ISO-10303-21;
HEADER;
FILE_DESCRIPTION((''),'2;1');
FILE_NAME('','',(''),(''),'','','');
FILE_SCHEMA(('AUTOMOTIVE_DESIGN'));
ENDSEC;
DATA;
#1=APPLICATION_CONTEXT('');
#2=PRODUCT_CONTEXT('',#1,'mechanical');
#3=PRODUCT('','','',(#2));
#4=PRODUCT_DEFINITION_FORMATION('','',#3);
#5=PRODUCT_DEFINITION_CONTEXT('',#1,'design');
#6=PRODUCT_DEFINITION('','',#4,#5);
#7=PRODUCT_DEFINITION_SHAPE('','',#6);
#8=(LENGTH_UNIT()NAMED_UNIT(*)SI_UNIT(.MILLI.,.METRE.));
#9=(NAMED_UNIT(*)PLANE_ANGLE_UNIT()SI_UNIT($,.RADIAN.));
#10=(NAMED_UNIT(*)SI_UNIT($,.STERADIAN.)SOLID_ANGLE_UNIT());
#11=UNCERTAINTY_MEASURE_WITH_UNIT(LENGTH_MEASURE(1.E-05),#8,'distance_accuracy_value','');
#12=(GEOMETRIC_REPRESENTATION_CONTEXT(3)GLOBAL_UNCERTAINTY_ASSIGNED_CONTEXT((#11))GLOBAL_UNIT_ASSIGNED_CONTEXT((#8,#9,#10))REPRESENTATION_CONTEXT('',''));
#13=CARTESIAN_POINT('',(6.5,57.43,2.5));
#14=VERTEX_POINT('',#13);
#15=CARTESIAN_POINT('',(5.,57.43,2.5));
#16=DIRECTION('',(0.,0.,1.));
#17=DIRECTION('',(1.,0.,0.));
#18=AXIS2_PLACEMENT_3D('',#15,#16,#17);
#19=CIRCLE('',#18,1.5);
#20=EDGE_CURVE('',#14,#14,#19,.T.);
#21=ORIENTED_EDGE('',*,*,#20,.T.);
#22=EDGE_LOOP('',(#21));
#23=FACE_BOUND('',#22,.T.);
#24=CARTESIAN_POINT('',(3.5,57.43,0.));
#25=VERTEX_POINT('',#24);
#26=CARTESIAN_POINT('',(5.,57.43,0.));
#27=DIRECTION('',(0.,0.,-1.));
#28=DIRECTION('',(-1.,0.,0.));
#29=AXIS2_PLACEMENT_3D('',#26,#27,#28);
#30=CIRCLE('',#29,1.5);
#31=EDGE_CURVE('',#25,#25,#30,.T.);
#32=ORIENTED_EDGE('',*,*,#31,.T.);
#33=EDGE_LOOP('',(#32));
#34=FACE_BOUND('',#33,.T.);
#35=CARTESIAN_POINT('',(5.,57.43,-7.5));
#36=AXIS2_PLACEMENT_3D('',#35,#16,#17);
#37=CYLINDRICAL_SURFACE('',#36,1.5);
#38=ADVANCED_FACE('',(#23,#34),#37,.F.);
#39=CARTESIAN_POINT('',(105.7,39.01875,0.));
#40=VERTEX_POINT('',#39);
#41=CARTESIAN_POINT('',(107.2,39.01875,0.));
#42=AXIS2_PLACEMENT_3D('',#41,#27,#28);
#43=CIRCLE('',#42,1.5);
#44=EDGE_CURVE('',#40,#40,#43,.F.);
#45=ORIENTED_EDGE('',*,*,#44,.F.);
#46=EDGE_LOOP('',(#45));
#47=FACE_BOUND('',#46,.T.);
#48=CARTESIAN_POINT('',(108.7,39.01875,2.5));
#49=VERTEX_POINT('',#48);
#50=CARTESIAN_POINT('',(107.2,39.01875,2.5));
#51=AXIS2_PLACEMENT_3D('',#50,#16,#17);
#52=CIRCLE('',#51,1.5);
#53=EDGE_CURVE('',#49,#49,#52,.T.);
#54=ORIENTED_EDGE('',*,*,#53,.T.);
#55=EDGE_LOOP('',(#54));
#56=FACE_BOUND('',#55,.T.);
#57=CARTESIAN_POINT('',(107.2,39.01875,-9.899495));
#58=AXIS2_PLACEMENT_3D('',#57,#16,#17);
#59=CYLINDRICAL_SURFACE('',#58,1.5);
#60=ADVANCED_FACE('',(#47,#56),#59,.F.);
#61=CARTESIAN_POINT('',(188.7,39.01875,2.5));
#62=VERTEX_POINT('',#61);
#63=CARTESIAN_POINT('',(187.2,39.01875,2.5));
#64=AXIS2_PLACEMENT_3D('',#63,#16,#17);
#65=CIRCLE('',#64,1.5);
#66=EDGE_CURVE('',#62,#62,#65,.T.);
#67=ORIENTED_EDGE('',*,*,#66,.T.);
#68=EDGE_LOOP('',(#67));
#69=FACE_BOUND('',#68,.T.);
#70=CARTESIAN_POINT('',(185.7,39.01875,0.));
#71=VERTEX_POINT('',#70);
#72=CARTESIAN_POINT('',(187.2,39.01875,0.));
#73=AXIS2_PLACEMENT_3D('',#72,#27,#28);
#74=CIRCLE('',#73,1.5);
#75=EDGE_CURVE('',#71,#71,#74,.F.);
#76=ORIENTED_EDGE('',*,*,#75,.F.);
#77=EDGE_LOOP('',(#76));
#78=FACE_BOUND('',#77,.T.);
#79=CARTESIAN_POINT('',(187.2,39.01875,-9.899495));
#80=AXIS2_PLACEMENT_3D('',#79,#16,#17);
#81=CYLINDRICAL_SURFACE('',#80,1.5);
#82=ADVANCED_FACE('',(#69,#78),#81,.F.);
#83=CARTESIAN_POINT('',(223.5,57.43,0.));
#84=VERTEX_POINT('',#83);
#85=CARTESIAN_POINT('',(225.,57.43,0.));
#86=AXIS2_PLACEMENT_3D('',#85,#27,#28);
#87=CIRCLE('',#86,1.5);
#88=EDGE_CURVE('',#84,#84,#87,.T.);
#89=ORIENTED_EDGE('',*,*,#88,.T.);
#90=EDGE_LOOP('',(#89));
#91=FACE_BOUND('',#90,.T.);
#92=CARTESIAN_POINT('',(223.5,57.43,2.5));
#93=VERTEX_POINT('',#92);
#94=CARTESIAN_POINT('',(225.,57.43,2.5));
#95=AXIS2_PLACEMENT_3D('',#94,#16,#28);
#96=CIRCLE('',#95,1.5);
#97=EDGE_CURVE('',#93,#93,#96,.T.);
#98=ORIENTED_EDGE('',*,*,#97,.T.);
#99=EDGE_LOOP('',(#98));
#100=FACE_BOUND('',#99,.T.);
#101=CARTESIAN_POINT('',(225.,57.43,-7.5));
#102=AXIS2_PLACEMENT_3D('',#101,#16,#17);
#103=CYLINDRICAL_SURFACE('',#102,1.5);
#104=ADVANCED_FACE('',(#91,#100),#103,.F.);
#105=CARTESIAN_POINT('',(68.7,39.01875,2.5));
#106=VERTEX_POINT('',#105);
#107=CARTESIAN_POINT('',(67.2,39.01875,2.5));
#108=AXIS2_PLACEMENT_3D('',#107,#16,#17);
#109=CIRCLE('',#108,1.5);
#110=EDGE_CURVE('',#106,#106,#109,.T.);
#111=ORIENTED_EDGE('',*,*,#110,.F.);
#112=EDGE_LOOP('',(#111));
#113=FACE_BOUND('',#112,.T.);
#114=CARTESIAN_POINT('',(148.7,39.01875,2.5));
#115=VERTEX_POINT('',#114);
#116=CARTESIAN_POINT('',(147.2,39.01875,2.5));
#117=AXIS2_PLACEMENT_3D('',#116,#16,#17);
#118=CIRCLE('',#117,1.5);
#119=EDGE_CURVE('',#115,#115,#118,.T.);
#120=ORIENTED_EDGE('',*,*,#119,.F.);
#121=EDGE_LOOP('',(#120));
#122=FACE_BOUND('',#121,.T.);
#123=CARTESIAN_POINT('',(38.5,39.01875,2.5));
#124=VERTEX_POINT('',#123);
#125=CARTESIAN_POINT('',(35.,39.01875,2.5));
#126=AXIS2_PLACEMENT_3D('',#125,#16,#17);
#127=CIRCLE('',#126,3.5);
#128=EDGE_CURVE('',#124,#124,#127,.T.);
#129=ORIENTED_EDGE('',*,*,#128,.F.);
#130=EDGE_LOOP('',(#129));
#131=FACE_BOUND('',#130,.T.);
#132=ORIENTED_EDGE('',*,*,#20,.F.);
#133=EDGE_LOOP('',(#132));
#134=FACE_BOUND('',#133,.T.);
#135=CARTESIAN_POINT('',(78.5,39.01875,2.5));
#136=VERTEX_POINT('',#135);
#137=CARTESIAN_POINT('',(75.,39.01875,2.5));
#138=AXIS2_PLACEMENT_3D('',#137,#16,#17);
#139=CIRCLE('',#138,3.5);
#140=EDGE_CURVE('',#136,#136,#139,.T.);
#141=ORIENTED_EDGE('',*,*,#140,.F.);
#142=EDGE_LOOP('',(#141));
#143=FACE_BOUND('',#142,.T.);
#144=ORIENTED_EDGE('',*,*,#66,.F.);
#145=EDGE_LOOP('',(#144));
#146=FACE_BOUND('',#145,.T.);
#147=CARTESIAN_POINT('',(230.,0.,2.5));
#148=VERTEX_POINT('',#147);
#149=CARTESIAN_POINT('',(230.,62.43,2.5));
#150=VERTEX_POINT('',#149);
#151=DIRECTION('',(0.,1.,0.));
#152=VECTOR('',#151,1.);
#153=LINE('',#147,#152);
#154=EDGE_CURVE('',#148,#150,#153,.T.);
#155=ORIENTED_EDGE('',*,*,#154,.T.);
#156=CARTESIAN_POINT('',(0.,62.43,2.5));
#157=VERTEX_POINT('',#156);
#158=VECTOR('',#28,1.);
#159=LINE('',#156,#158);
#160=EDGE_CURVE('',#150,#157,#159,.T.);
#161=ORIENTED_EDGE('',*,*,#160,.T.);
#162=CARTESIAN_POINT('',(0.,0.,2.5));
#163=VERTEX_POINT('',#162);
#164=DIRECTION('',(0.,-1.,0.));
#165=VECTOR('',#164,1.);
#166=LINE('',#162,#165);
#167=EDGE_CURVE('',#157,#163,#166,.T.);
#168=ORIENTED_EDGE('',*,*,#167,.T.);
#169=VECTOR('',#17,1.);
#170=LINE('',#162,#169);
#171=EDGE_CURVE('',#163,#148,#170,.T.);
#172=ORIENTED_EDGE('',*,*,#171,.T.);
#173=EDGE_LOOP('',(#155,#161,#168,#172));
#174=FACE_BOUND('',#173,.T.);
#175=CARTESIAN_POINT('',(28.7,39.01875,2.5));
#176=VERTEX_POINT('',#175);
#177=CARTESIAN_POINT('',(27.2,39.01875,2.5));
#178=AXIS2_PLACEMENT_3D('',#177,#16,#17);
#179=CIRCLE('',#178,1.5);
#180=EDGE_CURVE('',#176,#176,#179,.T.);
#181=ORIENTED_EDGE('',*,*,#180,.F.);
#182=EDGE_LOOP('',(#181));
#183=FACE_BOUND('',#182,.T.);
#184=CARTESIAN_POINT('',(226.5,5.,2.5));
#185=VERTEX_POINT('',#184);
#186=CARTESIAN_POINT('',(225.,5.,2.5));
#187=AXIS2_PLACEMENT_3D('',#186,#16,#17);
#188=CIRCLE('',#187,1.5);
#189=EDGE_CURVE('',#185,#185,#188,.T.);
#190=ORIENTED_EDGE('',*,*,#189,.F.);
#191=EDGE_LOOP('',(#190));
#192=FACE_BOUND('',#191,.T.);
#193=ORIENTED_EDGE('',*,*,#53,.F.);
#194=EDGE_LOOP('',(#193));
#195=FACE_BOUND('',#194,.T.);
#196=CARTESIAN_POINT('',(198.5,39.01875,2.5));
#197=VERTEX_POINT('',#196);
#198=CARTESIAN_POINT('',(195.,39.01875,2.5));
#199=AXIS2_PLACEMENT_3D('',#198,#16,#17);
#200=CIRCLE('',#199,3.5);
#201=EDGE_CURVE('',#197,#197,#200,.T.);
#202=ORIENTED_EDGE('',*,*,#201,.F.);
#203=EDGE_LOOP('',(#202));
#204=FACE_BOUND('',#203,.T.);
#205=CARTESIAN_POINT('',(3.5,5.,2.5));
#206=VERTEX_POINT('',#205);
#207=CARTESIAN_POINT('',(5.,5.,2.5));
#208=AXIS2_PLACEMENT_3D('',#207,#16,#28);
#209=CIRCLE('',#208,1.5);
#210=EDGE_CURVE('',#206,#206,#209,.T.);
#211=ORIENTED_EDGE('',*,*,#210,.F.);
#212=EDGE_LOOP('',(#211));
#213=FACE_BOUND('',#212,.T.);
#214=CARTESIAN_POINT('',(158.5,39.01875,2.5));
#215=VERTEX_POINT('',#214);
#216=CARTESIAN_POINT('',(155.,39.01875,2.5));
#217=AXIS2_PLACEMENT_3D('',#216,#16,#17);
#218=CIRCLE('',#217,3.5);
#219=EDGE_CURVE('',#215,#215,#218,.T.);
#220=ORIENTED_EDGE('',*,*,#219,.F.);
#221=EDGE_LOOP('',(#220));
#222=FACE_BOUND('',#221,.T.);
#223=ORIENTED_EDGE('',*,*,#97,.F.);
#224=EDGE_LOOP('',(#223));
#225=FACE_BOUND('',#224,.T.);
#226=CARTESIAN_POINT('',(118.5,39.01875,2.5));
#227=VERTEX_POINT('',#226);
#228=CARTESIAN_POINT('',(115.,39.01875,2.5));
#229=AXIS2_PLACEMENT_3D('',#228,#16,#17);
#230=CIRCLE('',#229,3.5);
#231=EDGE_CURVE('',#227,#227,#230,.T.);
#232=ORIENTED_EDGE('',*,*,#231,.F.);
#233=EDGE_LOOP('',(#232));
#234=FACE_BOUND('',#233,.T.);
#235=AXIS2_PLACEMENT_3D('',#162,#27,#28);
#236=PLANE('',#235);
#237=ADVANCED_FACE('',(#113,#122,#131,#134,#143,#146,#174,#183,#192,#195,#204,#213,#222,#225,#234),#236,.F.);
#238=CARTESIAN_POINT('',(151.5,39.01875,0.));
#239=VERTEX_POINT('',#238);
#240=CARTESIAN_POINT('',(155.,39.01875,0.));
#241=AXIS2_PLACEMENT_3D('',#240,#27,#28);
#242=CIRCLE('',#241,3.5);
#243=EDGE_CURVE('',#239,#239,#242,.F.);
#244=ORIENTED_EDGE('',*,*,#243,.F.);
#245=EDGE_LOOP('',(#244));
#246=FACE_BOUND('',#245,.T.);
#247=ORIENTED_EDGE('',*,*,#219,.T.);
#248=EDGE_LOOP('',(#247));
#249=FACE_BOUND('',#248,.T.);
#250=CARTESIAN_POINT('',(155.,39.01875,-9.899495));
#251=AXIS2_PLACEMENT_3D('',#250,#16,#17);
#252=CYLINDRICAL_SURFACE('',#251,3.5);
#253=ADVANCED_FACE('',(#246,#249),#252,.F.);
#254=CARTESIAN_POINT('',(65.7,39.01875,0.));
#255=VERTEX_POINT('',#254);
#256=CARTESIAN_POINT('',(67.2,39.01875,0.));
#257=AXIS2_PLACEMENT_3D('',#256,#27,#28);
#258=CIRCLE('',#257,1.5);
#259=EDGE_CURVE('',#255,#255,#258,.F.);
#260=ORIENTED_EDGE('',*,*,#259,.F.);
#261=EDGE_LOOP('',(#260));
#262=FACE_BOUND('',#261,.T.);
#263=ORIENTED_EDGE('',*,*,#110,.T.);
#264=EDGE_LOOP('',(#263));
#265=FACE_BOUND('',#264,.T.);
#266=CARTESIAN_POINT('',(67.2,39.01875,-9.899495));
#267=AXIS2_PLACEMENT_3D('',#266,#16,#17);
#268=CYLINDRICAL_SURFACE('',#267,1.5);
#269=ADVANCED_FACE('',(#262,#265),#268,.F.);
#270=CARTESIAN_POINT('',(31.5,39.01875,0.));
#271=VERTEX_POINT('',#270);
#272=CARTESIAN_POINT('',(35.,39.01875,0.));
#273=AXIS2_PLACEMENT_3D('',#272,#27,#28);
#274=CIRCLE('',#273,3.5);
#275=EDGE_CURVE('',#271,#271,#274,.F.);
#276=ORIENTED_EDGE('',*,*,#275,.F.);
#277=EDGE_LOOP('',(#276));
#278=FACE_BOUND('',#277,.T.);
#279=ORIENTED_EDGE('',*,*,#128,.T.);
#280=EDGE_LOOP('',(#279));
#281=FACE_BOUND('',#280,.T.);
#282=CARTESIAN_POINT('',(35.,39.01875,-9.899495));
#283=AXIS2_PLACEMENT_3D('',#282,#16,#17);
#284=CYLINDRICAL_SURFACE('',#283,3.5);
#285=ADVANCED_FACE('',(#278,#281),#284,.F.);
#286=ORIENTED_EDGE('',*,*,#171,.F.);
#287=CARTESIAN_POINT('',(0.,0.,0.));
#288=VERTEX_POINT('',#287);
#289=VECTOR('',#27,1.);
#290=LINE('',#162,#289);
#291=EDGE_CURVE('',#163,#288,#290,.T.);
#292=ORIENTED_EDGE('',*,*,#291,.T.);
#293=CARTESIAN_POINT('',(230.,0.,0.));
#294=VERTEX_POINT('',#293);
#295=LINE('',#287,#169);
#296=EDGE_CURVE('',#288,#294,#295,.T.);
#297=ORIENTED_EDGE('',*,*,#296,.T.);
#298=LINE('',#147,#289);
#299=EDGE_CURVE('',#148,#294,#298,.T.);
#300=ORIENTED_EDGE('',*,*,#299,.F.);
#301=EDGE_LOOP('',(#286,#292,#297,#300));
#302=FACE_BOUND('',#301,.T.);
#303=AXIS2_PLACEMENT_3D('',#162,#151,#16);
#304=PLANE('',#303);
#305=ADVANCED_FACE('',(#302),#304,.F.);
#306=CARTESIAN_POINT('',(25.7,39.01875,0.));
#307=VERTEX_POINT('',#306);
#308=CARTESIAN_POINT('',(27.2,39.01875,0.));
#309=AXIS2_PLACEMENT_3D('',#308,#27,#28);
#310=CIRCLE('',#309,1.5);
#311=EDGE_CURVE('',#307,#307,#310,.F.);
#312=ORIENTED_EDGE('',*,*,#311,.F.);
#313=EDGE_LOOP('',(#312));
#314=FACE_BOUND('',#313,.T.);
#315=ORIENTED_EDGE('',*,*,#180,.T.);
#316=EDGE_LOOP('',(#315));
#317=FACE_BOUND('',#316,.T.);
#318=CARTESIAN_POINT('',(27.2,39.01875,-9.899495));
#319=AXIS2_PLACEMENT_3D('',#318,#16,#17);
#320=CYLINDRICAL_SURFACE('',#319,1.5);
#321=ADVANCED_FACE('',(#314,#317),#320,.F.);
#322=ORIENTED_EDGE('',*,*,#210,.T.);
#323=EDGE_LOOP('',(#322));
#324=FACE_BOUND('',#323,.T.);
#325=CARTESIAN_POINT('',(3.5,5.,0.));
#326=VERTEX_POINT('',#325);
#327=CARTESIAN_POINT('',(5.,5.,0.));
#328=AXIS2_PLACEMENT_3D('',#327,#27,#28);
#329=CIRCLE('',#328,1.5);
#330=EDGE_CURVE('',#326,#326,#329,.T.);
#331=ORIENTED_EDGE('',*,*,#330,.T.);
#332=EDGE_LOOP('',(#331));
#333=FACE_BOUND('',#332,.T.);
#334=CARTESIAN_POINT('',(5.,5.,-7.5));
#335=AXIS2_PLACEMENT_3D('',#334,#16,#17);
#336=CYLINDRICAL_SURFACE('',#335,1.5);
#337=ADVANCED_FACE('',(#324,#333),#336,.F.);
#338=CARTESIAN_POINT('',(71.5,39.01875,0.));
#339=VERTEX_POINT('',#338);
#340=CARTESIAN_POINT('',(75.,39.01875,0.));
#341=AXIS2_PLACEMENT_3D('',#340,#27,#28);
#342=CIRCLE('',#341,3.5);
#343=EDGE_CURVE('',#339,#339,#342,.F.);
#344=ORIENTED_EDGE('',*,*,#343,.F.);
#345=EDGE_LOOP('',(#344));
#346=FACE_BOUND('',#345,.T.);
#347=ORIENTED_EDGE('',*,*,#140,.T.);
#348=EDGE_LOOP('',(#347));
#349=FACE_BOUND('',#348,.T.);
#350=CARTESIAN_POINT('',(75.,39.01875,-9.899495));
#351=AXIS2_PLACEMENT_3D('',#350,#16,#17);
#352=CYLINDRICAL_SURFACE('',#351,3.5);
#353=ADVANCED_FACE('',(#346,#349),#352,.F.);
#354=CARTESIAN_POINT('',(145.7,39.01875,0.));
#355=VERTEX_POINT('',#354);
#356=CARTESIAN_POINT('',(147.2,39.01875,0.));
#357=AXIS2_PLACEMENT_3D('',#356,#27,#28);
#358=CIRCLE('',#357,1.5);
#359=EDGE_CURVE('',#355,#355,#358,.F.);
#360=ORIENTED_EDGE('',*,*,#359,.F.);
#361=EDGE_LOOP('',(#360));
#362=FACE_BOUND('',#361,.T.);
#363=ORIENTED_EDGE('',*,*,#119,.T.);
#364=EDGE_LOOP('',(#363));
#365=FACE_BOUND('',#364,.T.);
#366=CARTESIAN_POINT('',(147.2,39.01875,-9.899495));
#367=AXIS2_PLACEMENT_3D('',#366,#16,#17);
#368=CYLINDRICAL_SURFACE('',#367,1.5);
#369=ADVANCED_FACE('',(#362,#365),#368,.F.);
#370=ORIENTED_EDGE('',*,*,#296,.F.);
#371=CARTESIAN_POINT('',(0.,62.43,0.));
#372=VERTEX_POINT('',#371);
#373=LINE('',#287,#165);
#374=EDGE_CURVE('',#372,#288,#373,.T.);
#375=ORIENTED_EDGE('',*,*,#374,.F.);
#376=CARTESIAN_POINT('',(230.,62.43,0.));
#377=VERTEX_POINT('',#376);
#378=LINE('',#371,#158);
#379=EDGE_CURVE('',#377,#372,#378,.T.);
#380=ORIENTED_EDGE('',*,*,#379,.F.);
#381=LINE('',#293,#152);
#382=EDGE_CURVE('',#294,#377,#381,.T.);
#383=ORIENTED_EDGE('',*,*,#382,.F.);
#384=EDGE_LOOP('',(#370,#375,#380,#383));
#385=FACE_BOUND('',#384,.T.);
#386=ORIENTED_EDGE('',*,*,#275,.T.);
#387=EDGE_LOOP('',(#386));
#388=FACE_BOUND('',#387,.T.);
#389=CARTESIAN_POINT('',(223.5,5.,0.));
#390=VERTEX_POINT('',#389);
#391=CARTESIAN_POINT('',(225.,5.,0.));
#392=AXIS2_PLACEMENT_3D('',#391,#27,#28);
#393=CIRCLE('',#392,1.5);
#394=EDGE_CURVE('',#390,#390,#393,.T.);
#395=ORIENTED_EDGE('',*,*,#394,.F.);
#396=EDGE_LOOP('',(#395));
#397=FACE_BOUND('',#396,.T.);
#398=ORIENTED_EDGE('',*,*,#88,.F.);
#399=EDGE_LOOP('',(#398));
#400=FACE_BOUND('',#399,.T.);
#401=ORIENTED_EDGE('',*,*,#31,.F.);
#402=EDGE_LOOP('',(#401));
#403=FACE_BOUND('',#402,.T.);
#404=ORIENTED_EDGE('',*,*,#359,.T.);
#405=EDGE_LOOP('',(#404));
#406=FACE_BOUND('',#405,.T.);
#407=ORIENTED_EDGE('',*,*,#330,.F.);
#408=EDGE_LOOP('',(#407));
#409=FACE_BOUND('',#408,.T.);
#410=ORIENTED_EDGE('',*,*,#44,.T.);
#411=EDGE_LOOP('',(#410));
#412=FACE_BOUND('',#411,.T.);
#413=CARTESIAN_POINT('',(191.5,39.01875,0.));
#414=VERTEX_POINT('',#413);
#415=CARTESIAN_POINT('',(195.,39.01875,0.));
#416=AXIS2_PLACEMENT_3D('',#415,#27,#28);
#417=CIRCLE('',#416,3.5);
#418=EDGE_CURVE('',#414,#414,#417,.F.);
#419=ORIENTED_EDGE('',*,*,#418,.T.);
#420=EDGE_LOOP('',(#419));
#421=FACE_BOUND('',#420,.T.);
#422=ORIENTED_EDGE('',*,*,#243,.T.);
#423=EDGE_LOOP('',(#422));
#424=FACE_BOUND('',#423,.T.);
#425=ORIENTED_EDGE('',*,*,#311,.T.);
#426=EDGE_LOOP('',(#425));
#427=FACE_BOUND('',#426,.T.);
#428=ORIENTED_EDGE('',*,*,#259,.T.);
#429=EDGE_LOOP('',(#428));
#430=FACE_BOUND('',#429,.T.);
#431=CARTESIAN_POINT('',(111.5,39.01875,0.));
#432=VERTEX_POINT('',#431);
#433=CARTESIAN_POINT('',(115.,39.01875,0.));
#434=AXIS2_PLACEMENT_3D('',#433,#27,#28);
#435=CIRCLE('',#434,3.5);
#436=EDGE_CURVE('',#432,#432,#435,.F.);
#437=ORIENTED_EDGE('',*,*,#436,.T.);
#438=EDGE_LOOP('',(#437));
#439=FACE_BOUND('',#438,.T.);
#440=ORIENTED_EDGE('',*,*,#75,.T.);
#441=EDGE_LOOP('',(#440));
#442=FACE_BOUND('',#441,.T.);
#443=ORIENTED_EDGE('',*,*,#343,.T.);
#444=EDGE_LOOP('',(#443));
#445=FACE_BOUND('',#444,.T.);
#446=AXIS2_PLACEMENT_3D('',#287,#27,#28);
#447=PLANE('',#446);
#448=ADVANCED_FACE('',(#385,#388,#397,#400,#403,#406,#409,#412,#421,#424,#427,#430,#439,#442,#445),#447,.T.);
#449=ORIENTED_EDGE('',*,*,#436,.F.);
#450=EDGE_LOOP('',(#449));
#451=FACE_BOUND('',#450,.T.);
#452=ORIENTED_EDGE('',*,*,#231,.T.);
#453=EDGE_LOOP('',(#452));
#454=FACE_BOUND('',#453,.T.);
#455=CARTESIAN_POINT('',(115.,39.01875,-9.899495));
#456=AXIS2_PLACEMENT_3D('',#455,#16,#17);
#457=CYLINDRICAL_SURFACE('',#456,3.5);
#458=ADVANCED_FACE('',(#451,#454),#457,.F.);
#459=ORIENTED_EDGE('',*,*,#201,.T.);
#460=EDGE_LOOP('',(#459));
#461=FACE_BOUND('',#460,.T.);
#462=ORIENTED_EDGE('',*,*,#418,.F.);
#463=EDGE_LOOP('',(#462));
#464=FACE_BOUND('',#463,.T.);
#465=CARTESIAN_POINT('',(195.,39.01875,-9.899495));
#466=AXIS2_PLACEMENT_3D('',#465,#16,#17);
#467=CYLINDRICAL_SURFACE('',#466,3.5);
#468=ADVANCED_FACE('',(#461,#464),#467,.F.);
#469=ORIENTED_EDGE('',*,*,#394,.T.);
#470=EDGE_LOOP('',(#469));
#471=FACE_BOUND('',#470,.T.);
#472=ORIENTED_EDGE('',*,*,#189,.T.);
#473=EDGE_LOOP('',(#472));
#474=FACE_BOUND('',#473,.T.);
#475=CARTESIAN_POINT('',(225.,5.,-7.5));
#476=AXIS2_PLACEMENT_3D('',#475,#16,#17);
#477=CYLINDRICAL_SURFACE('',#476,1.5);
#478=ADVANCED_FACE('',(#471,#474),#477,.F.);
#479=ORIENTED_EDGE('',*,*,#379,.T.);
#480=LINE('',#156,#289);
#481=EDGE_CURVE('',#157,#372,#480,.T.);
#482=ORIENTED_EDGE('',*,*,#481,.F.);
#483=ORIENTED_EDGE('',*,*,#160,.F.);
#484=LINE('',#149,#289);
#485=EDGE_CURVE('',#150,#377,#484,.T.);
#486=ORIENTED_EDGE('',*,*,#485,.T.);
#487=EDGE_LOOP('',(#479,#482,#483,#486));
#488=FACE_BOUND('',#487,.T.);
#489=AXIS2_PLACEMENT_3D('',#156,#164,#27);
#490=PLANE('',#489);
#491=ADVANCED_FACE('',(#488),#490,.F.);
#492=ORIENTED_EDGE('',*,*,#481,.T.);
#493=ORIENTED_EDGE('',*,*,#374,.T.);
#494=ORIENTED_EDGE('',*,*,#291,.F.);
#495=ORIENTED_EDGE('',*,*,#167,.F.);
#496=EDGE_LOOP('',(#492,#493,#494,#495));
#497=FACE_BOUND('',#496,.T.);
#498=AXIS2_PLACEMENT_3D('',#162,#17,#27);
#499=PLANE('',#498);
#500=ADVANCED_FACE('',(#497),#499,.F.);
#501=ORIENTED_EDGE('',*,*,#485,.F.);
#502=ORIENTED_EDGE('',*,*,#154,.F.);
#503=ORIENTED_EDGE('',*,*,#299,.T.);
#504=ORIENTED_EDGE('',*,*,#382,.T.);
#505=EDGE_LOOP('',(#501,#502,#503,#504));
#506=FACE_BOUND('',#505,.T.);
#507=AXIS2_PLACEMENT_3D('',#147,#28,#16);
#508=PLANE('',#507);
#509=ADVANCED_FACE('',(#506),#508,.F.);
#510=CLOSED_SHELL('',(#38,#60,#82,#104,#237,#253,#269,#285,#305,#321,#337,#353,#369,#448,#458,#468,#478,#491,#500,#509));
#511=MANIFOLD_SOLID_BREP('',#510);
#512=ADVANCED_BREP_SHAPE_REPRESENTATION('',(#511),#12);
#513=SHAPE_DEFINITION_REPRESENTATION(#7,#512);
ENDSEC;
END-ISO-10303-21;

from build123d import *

# Parameters (mm, degrees)
SKETCH1_W           = 230
SKETCH1_H           = 62.43
BOSS_EXTRUDE1_DEPTH = 2.5
SKETCH2_R           = 1.5
CUT_EXTRUDE1_DEPTH  = 10
SKETCH3_R           = 3.5
SKETCH3_R_2         = 1.5
CUT_EXTRUDE2_DEPTH  = 2.5


with BuildPart() as part:
    # Sketch1 → Boss-Extrude1 (new body)
    with BuildSketch(Plane.XY):
        with Locations((115, 31.215)):
            Rectangle(SKETCH1_W, SKETCH1_H)
    extrude(amount=BOSS_EXTRUDE1_DEPTH)

    # Sketch2 → Cut-Extrude1 (cut)
    with BuildSketch(Plane.XY.offset(2.5)):
        with Locations((5, 57.43)):
            Circle(SKETCH2_R)
        with Locations((5, 5)):
            Circle(SKETCH2_R)
        with Locations((225, 5)):
            Circle(SKETCH2_R)
        with Locations((225, 57.43)):
            Circle(SKETCH2_R)
    extrude(amount=-CUT_EXTRUDE1_DEPTH, mode=Mode.SUBTRACT)

    # Sketch3 → Cut-Extrude2 (cut)
    with BuildSketch(Plane.XY.offset(2.5)):
        with Locations((115, 39.01875)):
            Circle(SKETCH3_R)
        with Locations((107.2, 39.01875)):
            Circle(SKETCH3_R_2)
        with Locations((155, 39.01875)):
            Circle(SKETCH3_R)
        with Locations((147.2, 39.01875)):
            Circle(SKETCH3_R_2)
        with Locations((195, 39.01875)):
            Circle(SKETCH3_R)
        with Locations((187.2, 39.01875)):
            Circle(SKETCH3_R_2)
        with Locations((67.2, 39.01875)):
            Circle(SKETCH3_R_2)
        with Locations((75, 39.01875)):
            Circle(SKETCH3_R)
        with Locations((27.2, 39.01875)):
            Circle(SKETCH3_R_2)
        with Locations((35, 39.01875)):
            Circle(SKETCH3_R)
    extrude(amount=-CUT_EXTRUDE2_DEPTH, mode=Mode.SUBTRACT)


solid = part.part
